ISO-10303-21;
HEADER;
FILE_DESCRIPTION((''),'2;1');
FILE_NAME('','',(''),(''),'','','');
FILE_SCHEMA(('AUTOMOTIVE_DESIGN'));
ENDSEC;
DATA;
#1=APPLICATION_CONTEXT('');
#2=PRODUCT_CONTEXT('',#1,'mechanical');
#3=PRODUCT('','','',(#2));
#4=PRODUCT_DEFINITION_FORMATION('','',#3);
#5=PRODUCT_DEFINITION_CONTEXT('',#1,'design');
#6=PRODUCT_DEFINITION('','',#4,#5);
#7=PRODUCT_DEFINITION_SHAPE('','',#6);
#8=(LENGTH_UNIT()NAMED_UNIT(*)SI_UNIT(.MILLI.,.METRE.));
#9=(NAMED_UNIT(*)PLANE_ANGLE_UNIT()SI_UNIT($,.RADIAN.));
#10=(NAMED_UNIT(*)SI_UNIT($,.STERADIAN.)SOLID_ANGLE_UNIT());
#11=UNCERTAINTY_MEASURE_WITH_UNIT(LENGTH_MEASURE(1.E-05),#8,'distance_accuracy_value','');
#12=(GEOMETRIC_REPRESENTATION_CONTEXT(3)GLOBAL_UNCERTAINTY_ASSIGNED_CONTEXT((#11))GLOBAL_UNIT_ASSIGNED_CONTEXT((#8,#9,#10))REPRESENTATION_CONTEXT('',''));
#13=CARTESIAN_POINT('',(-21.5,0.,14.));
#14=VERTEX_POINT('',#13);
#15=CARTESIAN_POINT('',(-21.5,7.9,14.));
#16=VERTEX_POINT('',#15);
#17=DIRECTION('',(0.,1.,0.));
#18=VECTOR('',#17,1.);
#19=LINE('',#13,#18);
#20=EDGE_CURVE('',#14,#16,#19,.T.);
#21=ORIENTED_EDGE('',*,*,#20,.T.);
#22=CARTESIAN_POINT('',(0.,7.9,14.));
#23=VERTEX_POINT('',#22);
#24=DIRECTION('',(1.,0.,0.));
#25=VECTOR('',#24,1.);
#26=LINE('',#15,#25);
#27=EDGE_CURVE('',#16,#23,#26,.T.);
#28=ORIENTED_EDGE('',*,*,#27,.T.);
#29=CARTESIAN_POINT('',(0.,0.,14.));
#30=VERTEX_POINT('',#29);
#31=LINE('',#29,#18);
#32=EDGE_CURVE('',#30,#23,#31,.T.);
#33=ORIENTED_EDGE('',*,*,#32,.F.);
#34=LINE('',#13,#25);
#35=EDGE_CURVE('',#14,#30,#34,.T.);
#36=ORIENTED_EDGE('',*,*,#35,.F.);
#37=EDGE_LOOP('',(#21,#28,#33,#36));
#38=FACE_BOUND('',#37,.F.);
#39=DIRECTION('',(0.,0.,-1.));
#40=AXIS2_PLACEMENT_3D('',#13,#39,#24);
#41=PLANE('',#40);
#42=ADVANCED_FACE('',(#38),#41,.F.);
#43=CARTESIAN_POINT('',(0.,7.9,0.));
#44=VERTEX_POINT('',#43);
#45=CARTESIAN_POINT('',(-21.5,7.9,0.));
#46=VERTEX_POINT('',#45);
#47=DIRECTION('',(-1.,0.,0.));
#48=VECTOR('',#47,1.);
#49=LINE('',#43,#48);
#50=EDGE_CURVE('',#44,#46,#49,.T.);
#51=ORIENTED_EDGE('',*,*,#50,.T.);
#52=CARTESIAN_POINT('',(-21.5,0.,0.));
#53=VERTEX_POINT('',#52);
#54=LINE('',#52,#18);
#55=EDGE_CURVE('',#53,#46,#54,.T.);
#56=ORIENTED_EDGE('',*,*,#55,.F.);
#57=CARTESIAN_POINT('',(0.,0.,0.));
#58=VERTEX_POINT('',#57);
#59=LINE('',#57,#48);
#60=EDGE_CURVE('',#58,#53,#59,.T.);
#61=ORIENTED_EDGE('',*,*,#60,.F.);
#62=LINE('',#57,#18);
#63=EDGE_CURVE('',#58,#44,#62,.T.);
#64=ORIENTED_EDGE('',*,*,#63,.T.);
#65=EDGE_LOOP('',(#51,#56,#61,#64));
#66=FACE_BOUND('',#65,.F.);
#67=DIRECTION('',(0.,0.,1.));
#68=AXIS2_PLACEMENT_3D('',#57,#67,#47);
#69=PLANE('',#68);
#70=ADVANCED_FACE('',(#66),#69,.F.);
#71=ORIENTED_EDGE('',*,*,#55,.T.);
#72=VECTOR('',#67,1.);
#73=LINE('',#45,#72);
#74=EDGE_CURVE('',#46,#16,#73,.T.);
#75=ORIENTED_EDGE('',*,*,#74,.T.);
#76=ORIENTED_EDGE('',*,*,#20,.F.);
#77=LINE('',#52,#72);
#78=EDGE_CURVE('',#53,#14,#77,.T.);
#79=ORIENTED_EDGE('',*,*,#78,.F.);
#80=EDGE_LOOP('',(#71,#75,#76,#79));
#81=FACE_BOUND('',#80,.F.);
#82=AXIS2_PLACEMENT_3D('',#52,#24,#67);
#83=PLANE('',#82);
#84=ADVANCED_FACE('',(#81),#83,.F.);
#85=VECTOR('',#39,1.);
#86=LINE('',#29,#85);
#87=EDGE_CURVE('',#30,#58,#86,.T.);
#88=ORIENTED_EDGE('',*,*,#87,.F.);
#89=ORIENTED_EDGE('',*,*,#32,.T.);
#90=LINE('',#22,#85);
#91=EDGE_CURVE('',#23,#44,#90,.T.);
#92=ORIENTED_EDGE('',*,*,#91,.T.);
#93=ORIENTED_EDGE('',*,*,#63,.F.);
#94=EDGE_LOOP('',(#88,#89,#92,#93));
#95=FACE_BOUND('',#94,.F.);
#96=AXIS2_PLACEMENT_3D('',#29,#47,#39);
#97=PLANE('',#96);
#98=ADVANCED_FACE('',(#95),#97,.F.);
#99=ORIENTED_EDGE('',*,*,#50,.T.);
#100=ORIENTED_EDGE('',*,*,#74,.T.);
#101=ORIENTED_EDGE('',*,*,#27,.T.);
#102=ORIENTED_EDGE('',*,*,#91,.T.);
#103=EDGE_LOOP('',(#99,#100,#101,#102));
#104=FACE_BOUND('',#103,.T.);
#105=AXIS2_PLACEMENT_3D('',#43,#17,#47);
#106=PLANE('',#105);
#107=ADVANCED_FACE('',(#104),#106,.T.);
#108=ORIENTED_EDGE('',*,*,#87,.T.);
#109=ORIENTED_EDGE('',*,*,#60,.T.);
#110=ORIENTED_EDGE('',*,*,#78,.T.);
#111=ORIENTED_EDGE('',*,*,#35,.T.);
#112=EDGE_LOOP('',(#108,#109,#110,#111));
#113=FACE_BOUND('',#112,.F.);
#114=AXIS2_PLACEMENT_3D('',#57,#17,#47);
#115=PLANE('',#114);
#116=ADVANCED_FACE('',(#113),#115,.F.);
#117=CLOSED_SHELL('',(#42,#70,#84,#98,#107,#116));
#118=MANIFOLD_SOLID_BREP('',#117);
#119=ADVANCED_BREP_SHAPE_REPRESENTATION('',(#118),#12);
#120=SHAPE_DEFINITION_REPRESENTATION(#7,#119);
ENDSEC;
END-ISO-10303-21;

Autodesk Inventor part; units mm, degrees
ref_plane "YZ Plane" through (0, 0, 0) normal (1, 0, 0) x (0, 1, 0)
ref_plane "XZ Plane" through (0, 0, 0) normal (0, 1, 0) x (-1, 0, 0)
ref_plane "XY Plane" through (0, 0, 0) normal (0, 0, 1) x (1, 0, 0)
sketch "Sketch1" plane through (0, 0, 0) normal (0, 1, 0) x (-1, 0, 0)
  line L0 (21.5, 14) -> (0, 14)
  line L1 (0, 14) -> (0, 0)
  line L2 (0, 0) -> (21.5, 0)
  line L3 (21.5, 0) -> (21.5, 14)
  dimension "d0" = 21.5
  dimension "d1" = 14
extrude "Extrusion1" add sketch "Sketch1" along normal blind 7.9
properties part number "Transducer"
